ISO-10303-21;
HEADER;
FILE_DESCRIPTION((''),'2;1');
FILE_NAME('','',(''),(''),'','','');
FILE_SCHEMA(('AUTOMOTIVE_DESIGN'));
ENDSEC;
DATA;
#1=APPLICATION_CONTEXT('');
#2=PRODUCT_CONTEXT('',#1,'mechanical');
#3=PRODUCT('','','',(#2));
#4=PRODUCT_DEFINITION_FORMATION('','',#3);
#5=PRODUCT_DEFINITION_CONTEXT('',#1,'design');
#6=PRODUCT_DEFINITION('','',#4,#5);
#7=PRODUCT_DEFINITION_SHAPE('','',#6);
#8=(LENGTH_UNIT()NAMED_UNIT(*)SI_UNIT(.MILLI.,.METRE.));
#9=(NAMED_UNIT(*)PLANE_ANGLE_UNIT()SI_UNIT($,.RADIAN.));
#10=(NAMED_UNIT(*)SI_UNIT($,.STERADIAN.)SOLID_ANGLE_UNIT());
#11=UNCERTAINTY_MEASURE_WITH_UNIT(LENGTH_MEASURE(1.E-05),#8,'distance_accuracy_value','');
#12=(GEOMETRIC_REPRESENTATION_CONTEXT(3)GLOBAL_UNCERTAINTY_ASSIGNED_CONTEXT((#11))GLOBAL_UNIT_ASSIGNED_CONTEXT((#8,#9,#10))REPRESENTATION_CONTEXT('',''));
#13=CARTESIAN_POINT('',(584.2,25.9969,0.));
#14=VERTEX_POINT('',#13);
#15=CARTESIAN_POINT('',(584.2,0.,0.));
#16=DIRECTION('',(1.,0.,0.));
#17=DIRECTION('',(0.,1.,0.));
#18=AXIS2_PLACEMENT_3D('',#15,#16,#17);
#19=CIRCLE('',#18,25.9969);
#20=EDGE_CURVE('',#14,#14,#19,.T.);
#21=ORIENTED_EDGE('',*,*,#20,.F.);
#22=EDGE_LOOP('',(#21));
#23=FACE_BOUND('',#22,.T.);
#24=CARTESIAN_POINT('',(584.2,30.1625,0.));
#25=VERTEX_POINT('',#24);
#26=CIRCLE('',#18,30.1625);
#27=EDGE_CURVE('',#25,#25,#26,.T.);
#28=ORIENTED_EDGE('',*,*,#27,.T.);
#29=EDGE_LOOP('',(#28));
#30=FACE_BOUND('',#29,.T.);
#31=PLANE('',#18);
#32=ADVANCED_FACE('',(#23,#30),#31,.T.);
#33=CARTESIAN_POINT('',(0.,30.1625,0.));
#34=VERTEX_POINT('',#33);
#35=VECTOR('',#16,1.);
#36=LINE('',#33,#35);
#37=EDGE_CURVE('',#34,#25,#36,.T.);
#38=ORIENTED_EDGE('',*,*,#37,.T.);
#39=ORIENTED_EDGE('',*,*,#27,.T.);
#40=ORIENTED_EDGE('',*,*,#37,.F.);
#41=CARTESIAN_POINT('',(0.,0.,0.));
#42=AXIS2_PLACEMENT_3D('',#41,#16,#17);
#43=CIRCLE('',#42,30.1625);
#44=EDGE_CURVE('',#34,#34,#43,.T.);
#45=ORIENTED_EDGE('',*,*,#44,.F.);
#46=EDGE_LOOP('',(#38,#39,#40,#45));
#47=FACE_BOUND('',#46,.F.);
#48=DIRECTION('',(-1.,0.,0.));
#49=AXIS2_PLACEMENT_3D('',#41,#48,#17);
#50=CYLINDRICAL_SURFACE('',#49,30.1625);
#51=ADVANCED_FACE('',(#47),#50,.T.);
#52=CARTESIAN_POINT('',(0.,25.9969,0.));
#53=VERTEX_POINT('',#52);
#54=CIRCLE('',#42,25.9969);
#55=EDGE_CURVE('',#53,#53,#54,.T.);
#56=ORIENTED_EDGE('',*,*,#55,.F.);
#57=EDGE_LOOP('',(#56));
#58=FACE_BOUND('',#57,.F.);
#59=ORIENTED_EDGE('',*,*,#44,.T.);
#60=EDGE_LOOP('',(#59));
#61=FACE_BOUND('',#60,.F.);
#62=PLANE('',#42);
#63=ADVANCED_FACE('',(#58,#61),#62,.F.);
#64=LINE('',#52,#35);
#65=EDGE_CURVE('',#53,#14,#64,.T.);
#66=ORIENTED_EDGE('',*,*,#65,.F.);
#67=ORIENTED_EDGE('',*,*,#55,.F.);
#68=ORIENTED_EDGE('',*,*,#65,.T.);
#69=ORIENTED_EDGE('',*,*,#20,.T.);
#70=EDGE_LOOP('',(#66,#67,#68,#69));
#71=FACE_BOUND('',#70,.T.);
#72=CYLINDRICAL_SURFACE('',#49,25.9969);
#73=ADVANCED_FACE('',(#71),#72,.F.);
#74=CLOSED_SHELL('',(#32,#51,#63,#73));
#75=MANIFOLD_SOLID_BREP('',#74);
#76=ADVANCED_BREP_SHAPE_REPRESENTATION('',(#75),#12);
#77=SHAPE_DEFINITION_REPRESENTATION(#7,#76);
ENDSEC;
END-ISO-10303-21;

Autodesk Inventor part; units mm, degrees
ref_plane "YZ Plane" through (0, 0, 0) normal (1, 0, 0) x (0, 1, 0)
ref_plane "XZ Plane" through (0, 0, 0) normal (0, 1, 0) x (-1, 0, 0)
ref_plane "XY Plane" through (0, 0, 0) normal (0, 0, 1) x (1, 0, 0)
sketch "Sketch1" plane through (0, 0, 0) normal (1, 0, 0) x (0, 1, 0)
  circle A0 centre (0, 0) radius 25.9969
  circle A1 centre (0, 0) radius 30.1625
  dimension "d0" = 51.9938
  dimension "d1" = 60.325
extrude "Extrusion1" add sketch "Sketch1" along normal blind 584.2
properties part number "back roller"
